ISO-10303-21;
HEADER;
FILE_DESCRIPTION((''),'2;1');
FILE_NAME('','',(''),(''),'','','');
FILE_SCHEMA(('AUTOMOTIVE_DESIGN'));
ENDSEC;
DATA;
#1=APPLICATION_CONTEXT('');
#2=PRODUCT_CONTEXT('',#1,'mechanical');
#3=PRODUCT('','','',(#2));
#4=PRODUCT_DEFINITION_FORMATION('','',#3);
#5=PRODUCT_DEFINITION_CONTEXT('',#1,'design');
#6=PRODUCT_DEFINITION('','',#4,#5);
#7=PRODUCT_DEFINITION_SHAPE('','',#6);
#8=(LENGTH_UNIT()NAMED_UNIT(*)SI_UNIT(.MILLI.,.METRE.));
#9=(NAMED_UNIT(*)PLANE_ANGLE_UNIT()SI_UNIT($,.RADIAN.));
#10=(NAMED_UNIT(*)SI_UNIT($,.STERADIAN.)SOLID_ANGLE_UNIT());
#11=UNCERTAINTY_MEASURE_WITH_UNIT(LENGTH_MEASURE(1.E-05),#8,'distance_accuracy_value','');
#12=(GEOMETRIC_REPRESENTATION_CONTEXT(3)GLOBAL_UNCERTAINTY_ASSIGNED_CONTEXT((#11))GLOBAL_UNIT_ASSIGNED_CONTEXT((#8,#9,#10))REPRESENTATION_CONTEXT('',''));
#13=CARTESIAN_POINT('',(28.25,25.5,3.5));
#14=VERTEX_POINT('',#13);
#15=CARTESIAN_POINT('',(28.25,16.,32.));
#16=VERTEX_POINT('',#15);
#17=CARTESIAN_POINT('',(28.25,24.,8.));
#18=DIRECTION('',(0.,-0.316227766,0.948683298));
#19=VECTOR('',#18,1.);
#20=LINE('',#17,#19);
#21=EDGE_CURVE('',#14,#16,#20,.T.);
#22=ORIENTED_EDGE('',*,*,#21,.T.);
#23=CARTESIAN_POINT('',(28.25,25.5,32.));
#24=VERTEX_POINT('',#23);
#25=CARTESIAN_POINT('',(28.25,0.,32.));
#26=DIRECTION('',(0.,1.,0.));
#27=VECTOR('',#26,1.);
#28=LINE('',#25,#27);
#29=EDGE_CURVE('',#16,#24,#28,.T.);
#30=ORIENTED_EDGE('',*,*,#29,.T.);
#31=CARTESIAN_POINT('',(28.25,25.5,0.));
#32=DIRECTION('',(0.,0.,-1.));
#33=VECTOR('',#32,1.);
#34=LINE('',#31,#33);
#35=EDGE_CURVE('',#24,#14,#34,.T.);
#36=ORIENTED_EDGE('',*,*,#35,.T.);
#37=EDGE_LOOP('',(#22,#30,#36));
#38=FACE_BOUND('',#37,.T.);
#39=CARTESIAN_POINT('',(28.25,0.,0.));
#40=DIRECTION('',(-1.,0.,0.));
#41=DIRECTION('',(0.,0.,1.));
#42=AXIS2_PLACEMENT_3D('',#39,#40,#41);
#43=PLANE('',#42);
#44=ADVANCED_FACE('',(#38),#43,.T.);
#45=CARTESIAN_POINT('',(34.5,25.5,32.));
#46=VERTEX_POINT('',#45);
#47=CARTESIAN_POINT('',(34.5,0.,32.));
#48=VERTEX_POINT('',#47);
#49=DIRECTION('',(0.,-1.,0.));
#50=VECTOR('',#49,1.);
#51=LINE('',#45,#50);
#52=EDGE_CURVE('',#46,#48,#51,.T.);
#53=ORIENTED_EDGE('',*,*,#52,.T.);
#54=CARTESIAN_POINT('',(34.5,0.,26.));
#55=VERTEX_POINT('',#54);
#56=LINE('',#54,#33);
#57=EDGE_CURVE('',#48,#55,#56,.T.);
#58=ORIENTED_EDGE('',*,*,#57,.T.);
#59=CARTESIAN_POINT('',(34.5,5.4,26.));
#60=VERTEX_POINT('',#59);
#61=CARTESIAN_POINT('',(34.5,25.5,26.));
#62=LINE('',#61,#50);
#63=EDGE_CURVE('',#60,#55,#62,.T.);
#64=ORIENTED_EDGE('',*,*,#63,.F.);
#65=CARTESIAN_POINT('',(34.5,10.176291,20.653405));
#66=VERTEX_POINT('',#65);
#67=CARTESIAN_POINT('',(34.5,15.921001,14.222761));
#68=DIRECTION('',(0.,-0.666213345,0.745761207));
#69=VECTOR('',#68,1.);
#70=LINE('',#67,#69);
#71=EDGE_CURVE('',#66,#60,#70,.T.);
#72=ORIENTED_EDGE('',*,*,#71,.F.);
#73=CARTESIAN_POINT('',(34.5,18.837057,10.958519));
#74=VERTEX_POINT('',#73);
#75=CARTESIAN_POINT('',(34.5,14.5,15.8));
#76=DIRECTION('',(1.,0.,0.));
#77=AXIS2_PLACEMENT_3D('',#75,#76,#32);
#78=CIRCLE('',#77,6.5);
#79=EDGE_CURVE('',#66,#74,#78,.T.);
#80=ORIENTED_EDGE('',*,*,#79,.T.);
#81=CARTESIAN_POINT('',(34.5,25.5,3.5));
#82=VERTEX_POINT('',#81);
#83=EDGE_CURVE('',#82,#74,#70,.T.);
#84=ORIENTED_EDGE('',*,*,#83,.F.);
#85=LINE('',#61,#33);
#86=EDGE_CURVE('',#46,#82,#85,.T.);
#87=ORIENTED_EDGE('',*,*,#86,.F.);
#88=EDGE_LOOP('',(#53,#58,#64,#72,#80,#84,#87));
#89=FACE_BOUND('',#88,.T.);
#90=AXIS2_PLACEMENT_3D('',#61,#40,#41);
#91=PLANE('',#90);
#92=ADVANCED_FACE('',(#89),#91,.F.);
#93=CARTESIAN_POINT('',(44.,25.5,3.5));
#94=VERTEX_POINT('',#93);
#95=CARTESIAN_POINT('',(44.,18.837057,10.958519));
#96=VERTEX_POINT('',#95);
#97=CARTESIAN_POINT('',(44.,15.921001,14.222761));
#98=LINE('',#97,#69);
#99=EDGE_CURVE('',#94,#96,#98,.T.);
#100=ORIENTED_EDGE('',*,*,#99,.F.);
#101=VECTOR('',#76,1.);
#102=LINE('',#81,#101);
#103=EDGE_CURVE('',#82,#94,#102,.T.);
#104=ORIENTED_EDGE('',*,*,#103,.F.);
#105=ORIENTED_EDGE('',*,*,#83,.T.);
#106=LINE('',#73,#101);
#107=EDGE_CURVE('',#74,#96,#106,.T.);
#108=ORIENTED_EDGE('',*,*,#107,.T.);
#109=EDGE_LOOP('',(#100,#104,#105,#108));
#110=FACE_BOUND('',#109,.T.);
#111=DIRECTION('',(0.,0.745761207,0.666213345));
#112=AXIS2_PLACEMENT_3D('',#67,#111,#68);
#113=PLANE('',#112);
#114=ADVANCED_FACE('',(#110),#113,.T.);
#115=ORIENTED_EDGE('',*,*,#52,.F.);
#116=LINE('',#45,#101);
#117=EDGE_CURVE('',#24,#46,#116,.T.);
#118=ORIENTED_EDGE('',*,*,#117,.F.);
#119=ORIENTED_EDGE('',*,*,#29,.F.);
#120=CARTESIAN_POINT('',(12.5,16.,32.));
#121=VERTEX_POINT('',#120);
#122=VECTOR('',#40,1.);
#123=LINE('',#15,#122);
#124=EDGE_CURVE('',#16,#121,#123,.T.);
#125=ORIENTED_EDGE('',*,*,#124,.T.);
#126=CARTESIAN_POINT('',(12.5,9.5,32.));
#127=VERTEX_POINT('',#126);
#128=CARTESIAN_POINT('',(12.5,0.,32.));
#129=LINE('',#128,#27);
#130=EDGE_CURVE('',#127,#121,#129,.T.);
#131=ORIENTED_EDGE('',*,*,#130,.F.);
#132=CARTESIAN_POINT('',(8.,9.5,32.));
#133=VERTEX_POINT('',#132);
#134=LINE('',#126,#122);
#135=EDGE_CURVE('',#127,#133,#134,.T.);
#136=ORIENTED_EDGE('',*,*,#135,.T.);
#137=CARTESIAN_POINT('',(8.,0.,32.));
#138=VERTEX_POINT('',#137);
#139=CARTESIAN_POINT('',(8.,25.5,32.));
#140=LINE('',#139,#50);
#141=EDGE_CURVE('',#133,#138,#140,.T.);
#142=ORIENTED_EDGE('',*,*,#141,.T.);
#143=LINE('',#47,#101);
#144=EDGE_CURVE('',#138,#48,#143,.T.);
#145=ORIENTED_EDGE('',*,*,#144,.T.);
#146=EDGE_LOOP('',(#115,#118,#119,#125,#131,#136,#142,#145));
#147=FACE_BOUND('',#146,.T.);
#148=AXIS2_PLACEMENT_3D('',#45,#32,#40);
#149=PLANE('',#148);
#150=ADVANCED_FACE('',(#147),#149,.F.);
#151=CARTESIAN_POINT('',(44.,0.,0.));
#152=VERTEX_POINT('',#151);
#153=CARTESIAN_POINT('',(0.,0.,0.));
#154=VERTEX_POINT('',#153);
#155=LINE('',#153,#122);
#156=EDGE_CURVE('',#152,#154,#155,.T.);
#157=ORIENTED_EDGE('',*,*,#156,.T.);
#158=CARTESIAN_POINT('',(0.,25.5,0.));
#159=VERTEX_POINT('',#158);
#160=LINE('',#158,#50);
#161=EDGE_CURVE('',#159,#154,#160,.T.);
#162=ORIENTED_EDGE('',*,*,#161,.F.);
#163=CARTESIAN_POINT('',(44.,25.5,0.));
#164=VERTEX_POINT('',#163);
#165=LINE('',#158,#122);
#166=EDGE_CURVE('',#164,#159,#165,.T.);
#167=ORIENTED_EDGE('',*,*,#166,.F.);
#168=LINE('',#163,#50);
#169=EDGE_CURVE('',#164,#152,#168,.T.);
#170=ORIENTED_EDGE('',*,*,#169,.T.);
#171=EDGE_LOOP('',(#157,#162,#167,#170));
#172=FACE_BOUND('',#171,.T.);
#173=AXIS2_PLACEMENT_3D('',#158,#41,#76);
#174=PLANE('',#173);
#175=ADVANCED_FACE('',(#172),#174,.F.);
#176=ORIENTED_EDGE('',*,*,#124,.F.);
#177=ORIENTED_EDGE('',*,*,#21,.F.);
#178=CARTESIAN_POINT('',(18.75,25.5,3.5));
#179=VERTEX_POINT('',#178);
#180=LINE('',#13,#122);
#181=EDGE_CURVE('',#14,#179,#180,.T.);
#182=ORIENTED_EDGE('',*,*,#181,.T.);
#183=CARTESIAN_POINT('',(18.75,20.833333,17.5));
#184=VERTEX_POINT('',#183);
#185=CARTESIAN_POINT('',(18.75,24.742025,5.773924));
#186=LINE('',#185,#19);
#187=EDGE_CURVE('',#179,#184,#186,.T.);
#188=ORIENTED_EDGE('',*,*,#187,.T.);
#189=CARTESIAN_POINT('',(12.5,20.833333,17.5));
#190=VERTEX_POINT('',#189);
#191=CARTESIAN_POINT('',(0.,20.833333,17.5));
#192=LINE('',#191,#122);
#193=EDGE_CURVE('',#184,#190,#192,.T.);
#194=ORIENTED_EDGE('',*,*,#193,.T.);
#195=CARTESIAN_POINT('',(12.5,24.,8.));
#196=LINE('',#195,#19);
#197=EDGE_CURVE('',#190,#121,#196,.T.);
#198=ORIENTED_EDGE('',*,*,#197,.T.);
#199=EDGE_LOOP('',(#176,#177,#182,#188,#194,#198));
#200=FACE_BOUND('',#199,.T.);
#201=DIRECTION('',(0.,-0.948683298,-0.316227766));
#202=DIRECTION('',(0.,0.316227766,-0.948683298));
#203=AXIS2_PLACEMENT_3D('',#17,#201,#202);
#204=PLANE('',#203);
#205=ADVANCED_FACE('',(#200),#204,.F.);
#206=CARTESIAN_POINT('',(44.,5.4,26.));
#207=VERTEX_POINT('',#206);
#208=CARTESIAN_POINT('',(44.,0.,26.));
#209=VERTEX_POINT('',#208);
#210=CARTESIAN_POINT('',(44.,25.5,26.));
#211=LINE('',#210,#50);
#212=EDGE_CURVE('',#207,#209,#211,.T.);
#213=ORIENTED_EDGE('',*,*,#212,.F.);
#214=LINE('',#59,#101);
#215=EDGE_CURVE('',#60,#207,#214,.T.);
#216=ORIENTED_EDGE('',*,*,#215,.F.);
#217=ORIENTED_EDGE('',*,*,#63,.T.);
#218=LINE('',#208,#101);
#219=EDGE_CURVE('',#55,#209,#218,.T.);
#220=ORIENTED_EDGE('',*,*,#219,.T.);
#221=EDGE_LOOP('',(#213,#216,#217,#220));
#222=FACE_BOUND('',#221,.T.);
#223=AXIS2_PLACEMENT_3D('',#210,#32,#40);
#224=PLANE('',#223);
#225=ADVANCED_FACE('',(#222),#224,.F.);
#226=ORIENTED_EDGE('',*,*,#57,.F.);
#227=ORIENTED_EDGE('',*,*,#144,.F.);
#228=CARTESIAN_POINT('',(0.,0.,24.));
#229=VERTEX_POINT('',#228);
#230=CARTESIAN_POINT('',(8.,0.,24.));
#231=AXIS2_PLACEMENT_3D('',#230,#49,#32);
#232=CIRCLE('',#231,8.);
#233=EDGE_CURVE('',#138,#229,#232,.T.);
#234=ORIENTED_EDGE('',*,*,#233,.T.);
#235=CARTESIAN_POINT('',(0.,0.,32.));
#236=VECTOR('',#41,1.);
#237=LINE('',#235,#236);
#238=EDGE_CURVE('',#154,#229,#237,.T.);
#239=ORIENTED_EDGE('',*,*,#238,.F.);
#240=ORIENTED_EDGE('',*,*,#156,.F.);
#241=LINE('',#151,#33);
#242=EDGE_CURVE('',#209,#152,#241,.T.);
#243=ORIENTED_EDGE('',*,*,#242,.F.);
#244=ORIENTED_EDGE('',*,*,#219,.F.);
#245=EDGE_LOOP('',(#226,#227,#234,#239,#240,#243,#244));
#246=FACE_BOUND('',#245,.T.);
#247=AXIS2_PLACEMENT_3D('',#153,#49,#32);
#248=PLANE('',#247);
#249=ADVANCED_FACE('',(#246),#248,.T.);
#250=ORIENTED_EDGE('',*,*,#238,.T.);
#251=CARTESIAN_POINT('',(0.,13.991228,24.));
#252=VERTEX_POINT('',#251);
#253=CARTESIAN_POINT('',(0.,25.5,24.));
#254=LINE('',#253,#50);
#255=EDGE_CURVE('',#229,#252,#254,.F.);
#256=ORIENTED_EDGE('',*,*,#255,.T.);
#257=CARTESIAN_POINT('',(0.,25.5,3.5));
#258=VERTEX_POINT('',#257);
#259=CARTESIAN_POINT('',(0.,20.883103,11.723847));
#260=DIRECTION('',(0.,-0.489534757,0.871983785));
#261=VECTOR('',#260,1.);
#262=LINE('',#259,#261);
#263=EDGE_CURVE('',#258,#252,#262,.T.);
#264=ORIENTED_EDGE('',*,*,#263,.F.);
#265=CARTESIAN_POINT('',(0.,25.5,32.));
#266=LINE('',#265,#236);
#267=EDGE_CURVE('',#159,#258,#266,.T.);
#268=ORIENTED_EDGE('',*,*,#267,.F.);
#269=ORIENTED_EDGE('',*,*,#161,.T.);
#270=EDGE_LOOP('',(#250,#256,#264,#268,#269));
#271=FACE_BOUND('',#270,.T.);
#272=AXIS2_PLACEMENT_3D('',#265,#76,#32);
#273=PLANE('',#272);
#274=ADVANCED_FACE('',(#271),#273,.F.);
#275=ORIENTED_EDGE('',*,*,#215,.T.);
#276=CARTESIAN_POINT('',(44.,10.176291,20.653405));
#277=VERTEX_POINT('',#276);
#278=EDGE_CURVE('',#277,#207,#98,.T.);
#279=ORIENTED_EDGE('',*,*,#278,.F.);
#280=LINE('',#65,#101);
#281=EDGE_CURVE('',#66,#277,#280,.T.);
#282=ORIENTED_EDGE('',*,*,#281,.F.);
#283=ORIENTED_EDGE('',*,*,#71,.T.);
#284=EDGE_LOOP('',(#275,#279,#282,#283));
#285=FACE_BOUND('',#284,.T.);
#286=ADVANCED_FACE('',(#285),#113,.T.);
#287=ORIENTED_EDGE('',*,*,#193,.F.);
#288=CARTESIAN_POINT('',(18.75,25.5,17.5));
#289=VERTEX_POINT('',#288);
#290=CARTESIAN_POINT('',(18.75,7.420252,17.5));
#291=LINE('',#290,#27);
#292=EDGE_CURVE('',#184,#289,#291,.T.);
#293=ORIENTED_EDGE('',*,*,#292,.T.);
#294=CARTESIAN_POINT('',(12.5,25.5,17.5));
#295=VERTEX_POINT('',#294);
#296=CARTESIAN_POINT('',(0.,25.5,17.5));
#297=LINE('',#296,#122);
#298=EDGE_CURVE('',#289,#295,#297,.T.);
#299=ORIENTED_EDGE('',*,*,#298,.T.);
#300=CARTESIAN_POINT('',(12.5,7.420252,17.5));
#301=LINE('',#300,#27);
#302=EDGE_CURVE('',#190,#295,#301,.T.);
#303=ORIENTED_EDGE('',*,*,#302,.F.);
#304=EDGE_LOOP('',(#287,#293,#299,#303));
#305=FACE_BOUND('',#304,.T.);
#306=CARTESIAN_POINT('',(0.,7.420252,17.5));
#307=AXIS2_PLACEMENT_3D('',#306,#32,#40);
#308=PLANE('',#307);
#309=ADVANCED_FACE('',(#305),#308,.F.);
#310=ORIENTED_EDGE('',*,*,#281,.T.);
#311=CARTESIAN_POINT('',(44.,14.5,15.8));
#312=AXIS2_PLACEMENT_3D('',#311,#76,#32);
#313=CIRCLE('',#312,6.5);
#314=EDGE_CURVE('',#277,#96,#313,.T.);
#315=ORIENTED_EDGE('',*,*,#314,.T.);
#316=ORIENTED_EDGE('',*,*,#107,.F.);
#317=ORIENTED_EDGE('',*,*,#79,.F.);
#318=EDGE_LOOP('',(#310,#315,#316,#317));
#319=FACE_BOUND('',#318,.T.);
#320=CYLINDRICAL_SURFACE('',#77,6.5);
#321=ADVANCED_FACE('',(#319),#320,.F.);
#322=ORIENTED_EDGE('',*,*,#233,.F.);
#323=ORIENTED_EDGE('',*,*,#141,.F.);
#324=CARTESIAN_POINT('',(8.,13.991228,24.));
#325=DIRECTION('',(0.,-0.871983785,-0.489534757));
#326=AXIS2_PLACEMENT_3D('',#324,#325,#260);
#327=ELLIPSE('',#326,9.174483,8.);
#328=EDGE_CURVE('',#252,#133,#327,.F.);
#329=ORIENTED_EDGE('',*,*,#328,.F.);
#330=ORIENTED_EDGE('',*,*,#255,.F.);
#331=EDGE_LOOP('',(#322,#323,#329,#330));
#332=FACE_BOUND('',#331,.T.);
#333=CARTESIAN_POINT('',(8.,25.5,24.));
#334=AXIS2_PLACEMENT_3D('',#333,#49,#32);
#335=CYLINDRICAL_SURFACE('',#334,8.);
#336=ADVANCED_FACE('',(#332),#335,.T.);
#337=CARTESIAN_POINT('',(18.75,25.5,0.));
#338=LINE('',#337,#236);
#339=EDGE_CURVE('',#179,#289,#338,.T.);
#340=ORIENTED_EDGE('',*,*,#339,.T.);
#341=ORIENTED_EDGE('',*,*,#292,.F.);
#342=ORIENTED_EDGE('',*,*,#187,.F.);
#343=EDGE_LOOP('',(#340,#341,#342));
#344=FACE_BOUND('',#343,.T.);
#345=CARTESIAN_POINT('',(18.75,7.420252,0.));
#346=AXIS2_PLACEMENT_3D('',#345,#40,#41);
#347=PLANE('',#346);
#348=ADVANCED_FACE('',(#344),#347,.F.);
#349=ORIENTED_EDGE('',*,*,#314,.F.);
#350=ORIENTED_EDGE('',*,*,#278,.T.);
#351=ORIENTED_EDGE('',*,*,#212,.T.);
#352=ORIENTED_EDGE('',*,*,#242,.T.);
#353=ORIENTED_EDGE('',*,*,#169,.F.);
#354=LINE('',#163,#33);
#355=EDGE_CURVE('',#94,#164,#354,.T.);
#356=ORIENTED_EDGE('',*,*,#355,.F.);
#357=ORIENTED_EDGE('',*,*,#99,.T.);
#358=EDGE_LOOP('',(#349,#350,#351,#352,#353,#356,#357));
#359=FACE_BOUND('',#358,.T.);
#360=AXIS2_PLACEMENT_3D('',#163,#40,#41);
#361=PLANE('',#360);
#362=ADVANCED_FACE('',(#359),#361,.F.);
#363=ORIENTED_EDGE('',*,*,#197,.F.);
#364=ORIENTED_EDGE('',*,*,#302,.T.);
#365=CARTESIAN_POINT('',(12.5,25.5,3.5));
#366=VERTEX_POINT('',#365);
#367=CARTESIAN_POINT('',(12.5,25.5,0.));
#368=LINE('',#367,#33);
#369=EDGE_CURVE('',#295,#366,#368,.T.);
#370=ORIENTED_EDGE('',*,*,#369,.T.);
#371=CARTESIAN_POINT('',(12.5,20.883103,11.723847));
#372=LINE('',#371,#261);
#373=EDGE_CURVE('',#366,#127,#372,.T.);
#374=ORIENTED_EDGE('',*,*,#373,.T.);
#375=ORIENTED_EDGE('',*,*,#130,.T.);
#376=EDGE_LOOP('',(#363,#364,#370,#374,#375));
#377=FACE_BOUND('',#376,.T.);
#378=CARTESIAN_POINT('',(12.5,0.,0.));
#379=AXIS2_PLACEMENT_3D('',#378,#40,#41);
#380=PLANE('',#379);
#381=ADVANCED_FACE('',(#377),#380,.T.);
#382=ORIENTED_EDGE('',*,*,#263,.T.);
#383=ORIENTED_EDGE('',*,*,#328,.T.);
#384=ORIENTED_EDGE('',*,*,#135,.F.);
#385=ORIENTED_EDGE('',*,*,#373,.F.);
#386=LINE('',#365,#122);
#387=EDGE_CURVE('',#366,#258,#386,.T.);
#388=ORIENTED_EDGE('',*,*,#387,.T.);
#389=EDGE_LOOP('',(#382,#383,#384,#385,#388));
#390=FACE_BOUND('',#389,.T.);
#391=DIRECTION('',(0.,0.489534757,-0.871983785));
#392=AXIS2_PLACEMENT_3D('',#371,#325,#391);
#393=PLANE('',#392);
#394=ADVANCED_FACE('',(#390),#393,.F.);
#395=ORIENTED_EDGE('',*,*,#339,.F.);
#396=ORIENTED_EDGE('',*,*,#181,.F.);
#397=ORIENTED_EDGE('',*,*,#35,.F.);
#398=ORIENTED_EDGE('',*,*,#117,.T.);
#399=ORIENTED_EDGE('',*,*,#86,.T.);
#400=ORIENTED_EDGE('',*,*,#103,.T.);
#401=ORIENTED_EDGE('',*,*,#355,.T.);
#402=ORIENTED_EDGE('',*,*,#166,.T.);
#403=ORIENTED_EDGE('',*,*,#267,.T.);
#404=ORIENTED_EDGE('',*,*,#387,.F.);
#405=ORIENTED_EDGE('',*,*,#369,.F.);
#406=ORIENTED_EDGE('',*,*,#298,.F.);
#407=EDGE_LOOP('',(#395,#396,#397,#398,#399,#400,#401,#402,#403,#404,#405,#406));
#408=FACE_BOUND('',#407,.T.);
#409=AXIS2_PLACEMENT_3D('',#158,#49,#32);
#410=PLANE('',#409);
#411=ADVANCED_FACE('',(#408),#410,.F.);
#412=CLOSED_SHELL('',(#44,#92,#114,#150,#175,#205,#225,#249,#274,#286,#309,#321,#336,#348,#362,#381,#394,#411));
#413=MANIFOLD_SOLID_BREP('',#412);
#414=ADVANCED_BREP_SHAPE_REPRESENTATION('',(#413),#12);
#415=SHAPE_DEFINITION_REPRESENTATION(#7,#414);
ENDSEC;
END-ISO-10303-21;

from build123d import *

# Parameters (mm, degrees)
BOSS_EXTRUDE1_DEPTH = 25.5
CUT_EXTRUDE1_DEPTH  = 12.5
CUT_EXTRUDE2_DEPTH  = 15.75
BOSS_EXTRUDE2_REACH = 27.5
SKETCH2_W           = 6.25
SKETCH2_H           = 14
CUT_EXTRUDE3_DEPTH  = 9.5
FILLET1_R           = 8


with BuildPart() as part:
    # Sketch1 → Boss-Extrude1 (new body)
    with BuildSketch(Plane(origin=(0, 0, 0), x_dir=(1, 0, 0), z_dir=(0, 1, 0))):
        Polygon((0, 0), (44, 0), (44, -26), (34.5, -26), (34.5, -32), (0, -32), align=None)
    extrude(amount=BOSS_EXTRUDE1_DEPTH)

    # Sketch3 → Cut-Extrude1 (cut)
    with BuildSketch(Plane.ZY):
        Polygon((32, 25.5), (3.5, 25.5), (32, 9.5), align=None)
    extrude(amount=-CUT_EXTRUDE1_DEPTH, mode=Mode.SUBTRACT)

    # Sketch4 → Cut-Extrude2 (cut)
    with BuildSketch(Plane.ZY.offset(-12.5)):
        Polygon((32, 25.5), (3.5, 25.5), (32, 16), align=None)
    extrude(amount=-CUT_EXTRUDE2_DEPTH, mode=Mode.SUBTRACT)

    # Boss-Extrude2: up to this face of the body (flat: up to its plane)
    boss_extrude2_end = Plane(part.part.faces().sort_by_distance((20.375, 20.75, 17.75))[0])
    # Sketch2 → Boss-Extrude2 (add, up to the picked face)
    with BuildSketch(Plane(origin=(0, 25.5, 0), x_dir=(1, 0, 0), z_dir=(0, 1, 0)), mode=Mode.PRIVATE) as boss_extrude2_sk1:
        with Locations((15.625, -10.5)):
            Rectangle(SKETCH2_W, SKETCH2_H)
    boss_extrude2_tool1 = split(extrude(boss_extrude2_sk1.sketch, amount=-BOSS_EXTRUDE2_REACH, mode=Mode.PRIVATE), bisect_by=boss_extrude2_end, keep=Keep.BOTH, mode=Mode.PRIVATE)
    add(boss_extrude2_tool1.solids().sort_by_distance((15.625, 25.5, 10.5))[0])

    # Sketch5 → Cut-Extrude3 (cut)
    with BuildSketch(Plane(origin=(44, 0, 0), x_dir=(0, 0, -1), z_dir=(1, 0, 0))):
        with BuildLine():
            Line((-10.958518779, 18.837056558), (-3.5, 25.5))
            Line((-3.5, 25.5), (-26, 25.5))
            Line((-26, 25.5), (-26, 5.4))
            Line((-26, 5.4), (-20.653405287, 10.176291277))
            ThreePointArc((-20.653405287, 10.176291277), (-11.469613255, 9.652552152), (-10.958518779, 18.837056558))
        make_face()
    extrude(amount=-CUT_EXTRUDE3_DEPTH, mode=Mode.SUBTRACT)

    # Fillet1
    fillet1_edges = [part.edges().sort_by_distance(p)[0] for p in [
        (0, 4.75, 32),
    ]]
    fillet(fillet1_edges, radius=FILLET1_R)


solid = part.part
